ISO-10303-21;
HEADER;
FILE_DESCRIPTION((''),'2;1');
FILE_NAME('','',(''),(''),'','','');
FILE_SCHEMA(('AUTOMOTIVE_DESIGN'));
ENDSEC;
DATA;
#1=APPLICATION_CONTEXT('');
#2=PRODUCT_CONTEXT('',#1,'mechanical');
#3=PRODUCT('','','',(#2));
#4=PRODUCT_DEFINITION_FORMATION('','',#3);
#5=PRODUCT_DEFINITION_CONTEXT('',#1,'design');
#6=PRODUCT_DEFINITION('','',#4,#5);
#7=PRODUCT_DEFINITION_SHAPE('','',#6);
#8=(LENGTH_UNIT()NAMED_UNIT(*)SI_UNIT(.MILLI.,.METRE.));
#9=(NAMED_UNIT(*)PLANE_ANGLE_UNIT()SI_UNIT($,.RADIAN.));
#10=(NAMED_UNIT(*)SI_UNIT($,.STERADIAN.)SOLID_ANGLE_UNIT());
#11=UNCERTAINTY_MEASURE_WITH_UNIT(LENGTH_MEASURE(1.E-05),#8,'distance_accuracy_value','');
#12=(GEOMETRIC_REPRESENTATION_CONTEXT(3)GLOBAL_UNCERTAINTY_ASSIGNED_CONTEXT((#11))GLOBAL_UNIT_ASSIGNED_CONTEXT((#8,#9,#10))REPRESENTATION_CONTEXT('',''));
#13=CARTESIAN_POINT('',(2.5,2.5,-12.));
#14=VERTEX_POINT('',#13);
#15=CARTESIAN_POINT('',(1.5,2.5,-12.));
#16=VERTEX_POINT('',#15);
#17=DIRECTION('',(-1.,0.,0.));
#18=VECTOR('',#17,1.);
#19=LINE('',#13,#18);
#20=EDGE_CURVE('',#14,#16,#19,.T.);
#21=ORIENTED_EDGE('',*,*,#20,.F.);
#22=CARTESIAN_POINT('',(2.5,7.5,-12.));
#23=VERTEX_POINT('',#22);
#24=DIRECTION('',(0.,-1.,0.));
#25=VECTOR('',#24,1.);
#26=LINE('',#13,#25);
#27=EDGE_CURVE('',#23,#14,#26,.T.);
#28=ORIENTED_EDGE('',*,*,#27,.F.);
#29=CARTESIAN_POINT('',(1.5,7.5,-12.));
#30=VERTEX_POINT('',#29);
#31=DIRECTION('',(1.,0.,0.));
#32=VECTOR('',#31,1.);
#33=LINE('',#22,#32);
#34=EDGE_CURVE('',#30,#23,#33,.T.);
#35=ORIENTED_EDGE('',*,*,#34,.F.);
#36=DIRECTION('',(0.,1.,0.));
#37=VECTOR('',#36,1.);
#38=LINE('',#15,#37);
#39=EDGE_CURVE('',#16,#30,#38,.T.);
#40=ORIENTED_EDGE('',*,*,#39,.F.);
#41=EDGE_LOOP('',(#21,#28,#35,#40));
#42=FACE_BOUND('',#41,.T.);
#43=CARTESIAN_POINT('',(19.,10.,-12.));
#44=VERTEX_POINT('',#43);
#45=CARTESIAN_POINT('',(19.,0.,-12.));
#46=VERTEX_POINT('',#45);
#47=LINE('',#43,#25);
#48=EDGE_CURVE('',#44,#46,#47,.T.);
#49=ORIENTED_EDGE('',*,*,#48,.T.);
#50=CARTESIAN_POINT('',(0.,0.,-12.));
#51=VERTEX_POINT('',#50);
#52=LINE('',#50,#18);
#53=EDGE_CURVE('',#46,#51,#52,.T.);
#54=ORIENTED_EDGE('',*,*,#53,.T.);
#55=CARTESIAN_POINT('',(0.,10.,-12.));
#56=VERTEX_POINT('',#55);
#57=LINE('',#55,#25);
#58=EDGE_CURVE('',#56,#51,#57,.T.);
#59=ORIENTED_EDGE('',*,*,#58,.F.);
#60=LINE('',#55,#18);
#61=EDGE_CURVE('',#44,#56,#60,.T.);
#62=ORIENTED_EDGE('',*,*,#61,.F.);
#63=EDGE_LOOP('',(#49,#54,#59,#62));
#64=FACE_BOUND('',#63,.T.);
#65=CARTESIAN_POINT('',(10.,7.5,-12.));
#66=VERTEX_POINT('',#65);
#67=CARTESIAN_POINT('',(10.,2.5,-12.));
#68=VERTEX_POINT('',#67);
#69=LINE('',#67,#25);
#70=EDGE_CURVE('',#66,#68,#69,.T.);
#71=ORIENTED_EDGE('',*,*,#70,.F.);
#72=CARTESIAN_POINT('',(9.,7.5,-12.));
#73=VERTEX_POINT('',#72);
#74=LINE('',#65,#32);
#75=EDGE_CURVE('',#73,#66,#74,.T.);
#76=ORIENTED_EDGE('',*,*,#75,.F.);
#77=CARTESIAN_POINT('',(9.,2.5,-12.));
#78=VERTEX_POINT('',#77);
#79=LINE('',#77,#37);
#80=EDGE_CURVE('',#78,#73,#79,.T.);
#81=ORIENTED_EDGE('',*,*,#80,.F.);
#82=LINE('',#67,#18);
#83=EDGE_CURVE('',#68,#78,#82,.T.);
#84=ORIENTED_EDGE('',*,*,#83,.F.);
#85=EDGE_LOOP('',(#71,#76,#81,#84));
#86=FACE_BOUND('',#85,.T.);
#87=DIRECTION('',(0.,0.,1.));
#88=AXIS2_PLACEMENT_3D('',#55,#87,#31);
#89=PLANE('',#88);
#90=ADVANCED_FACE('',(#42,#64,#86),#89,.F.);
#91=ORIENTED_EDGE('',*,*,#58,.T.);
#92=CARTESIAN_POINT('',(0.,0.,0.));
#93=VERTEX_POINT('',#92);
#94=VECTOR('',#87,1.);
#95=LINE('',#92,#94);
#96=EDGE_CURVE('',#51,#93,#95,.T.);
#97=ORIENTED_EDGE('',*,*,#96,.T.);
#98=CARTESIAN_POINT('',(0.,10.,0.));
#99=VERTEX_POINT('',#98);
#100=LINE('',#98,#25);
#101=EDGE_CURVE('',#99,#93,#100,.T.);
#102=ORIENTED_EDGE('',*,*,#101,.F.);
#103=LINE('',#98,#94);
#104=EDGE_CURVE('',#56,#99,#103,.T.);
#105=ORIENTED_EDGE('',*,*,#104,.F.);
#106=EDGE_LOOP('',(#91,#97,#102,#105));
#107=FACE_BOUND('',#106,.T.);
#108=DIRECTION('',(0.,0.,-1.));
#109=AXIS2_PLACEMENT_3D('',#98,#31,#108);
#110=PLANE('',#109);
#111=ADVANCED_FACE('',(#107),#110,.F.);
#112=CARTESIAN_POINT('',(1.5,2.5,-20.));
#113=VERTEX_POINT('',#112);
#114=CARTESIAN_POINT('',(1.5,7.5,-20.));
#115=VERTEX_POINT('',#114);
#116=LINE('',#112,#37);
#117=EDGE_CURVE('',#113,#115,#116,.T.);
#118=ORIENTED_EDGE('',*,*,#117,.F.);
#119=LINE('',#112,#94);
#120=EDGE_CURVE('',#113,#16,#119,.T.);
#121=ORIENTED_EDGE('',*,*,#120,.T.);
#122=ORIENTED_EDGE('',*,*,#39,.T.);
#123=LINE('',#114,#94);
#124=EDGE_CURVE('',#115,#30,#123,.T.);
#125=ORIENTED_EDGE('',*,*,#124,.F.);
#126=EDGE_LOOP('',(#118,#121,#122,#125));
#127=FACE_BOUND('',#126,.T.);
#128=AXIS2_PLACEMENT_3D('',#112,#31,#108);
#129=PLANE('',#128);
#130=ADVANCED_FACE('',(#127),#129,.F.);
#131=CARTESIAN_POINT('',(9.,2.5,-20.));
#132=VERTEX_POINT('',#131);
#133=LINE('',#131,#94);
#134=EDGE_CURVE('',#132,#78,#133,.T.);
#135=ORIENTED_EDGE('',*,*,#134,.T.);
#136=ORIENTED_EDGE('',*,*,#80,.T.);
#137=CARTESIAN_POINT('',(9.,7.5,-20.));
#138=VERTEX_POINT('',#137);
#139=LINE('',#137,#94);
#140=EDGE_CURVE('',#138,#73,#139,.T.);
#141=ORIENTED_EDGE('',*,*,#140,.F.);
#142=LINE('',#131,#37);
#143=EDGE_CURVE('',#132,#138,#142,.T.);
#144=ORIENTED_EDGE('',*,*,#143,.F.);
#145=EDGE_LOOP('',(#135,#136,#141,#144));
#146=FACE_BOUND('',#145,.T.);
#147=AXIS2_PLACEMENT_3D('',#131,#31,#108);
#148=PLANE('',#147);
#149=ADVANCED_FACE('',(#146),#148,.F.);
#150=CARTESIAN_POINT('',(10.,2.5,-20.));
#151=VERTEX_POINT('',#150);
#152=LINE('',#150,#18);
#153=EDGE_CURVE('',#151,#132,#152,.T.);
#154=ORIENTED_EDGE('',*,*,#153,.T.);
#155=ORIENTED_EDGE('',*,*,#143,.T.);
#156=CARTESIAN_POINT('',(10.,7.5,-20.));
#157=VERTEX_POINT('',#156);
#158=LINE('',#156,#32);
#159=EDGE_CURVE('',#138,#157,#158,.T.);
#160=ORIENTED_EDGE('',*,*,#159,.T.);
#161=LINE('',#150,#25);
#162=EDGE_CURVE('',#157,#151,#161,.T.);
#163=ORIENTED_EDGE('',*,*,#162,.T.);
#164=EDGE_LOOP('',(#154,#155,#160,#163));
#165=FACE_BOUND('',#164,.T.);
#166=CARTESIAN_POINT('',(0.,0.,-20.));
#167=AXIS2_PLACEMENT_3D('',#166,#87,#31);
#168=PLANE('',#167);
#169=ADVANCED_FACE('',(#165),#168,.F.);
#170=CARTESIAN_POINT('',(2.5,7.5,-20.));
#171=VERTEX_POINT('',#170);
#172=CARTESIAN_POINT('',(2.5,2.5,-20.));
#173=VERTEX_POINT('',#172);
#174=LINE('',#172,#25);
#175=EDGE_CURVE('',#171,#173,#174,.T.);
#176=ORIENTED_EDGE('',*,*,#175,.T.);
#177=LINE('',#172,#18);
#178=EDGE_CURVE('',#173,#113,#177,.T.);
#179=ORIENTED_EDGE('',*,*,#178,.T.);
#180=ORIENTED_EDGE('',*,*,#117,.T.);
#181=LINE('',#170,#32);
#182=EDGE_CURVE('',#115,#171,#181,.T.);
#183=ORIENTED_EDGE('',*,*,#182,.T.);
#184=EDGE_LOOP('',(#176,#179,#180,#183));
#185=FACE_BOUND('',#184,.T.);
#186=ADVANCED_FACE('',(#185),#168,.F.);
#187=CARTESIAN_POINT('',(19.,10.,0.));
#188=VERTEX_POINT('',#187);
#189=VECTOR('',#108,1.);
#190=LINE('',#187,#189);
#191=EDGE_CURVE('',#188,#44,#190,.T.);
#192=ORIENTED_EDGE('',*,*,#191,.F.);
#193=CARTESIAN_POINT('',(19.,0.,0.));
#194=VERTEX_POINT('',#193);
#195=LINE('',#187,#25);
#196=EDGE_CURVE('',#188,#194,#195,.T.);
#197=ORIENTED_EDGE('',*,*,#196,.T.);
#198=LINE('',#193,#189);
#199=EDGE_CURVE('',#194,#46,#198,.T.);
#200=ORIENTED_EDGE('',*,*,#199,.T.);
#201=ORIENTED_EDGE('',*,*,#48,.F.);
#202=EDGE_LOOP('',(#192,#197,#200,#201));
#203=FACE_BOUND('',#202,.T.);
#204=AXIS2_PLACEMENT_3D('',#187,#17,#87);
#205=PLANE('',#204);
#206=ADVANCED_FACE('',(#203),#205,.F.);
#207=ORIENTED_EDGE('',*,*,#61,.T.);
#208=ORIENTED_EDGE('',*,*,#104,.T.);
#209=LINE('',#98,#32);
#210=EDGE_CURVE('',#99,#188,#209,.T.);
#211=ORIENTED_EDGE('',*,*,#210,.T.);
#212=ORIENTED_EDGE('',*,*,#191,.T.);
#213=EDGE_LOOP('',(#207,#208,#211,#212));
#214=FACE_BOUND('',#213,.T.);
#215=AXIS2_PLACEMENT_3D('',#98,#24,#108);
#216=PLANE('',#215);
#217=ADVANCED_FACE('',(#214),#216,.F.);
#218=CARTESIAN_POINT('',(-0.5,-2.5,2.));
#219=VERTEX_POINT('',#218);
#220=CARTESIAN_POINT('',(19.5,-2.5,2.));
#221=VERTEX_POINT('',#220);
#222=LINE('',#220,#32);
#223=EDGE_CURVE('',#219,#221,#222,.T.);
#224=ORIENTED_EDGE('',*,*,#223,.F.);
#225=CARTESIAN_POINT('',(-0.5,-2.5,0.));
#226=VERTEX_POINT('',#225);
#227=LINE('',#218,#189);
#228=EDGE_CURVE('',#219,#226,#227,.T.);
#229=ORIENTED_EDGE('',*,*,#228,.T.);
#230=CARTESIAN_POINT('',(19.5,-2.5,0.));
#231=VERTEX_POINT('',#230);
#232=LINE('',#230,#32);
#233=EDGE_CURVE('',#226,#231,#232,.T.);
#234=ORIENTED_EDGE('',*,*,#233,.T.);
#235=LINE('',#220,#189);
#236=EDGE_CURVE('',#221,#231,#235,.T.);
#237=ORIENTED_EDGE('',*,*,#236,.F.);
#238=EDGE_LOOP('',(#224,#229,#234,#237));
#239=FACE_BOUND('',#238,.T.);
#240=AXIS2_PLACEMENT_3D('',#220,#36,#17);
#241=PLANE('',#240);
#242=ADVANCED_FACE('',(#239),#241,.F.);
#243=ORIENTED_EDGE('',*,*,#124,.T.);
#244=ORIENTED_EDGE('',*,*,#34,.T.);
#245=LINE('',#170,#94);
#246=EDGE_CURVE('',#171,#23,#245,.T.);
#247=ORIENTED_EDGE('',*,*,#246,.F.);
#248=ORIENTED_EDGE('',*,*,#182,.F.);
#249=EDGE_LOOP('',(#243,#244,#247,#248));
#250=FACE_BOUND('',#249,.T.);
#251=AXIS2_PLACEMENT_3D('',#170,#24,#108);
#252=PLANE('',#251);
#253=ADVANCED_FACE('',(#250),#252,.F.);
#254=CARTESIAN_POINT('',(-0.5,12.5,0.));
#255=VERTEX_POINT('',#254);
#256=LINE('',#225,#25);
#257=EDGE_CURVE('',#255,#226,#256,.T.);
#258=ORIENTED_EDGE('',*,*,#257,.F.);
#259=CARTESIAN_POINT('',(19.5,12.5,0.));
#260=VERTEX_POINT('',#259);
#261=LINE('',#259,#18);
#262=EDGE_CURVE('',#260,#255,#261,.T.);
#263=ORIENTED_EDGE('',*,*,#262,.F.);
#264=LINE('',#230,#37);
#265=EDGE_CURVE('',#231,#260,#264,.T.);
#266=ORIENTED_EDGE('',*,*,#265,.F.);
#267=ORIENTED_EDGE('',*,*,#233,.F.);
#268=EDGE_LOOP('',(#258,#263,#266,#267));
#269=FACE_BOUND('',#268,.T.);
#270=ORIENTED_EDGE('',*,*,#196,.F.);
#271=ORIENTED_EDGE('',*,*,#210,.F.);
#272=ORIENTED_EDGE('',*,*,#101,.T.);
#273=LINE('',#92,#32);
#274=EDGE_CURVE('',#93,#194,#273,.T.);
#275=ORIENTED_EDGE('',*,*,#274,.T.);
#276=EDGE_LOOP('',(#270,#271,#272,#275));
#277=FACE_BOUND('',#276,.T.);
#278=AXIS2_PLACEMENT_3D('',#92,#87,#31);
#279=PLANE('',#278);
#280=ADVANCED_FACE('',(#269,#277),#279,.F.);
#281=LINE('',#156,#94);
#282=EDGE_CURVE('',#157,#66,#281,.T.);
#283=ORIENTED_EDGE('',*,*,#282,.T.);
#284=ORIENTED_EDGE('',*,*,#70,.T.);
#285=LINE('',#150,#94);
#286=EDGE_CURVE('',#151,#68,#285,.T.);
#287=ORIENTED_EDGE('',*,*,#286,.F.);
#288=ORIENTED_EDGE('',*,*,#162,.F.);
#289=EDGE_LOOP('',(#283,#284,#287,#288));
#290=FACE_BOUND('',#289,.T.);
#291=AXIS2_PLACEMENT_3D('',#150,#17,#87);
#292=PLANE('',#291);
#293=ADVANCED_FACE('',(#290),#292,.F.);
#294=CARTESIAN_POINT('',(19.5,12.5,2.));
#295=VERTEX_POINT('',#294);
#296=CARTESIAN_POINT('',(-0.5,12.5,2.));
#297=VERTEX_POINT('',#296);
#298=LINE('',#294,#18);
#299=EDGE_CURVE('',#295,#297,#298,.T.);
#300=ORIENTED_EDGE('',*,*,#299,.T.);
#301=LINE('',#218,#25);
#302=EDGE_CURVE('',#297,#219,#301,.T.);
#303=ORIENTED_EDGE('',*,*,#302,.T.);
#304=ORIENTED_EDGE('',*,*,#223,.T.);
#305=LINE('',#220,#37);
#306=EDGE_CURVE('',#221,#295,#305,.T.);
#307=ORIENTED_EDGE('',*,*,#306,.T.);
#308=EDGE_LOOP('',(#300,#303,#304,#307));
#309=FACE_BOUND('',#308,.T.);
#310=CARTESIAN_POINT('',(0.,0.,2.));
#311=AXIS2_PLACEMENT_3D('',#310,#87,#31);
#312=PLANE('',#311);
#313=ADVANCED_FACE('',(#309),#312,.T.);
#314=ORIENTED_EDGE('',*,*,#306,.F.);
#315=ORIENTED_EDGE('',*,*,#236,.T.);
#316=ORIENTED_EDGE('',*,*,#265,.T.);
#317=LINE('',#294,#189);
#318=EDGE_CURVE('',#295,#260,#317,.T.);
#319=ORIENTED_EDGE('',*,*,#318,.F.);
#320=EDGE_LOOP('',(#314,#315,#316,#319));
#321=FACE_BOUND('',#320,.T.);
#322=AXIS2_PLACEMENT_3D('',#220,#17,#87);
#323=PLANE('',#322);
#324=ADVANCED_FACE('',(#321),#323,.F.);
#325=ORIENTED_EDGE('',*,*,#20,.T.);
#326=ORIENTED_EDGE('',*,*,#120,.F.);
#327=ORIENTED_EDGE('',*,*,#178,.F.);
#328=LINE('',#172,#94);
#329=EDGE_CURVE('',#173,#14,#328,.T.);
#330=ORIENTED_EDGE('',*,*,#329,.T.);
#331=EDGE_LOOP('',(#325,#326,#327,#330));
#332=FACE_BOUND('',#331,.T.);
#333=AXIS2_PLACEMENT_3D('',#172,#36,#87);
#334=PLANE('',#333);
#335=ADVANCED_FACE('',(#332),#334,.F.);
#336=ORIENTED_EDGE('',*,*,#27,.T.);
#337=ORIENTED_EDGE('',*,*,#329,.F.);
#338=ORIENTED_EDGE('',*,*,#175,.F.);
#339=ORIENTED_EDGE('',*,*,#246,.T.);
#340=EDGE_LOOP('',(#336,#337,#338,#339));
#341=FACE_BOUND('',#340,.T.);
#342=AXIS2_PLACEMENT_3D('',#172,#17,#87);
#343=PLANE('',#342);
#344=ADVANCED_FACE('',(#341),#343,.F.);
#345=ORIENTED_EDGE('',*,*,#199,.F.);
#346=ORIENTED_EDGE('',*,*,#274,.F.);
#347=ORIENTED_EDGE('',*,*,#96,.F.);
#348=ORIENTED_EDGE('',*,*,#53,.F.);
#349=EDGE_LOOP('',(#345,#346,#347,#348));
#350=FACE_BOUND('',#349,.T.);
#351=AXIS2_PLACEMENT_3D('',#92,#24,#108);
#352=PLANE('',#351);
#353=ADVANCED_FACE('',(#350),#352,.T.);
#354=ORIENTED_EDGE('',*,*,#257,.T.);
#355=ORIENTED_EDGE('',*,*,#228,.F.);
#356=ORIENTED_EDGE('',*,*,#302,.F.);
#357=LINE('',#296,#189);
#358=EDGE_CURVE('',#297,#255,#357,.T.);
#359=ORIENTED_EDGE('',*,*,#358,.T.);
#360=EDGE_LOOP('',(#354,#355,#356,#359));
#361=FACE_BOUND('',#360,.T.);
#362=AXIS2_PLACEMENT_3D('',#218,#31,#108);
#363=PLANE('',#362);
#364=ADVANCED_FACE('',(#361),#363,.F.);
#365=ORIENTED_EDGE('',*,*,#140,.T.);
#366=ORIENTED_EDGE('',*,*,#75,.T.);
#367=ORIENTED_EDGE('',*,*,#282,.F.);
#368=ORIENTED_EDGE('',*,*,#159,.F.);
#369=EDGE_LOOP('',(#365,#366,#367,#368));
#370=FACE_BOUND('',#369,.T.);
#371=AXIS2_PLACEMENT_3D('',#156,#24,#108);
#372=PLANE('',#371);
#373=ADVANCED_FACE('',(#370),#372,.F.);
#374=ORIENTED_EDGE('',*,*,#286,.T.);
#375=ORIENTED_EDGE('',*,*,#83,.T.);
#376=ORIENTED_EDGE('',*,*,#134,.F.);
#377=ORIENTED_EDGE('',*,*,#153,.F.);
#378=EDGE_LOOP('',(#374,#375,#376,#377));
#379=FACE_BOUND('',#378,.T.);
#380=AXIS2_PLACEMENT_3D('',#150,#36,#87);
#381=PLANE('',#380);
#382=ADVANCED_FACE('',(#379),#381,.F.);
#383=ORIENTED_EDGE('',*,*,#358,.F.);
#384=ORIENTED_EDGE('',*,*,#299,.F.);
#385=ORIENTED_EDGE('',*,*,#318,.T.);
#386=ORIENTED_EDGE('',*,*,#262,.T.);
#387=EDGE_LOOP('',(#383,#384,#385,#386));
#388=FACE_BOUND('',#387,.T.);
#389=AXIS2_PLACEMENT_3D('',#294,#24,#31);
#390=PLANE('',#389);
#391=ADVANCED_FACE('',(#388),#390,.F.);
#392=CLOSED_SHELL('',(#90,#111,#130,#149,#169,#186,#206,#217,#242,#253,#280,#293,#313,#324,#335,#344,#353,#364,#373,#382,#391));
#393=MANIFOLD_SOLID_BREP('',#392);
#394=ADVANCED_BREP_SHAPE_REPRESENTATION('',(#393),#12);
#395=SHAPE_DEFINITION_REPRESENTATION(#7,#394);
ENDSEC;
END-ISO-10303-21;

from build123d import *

# Parameters (mm, degrees)
ESQUISSE1_W        = 19
ESQUISSE1_H        = 12
BOSS_EXTRU_1_DEPTH = 10
ESQUISSE2_W        = 20
ESQUISSE2_H        = 15
BOSS_EXTRU_2_DEPTH = 2
ESQUISSE3_W        = 1
ESQUISSE3_H        = 5
BOSS_EXTRU_3_DEPTH = 8


with BuildPart() as part:
    # Esquisse1 → Boss.-Extru.1 (new body)
    with BuildSketch(Plane(origin=(0, 0, 0), x_dir=(1, 0, 0), z_dir=(0, 1, 0))):
        with Locations((9.5, 6)):
            Rectangle(ESQUISSE1_W, ESQUISSE1_H)
    extrude(amount=BOSS_EXTRU_1_DEPTH)

    # Esquisse2 → Boss.-Extru.2 (add)
    with BuildSketch(Plane.XY):
        with Locations((9.5, 5)):
            Rectangle(ESQUISSE2_W, ESQUISSE2_H)
    extrude(amount=BOSS_EXTRU_2_DEPTH)

    # Esquisse3 → Boss.-Extru.3 (add)
    with BuildSketch(Plane(origin=(0, 0, -12), x_dir=(-1, 0, 0), z_dir=(0, 0, -1))):
        with Locations((-9.5, 5)):
            Rectangle(ESQUISSE3_W, ESQUISSE3_H)
        with Locations((-2, 5)):
            Rectangle(ESQUISSE3_W, ESQUISSE3_H)
    extrude(amount=BOSS_EXTRU_3_DEPTH)


solid = part.part
